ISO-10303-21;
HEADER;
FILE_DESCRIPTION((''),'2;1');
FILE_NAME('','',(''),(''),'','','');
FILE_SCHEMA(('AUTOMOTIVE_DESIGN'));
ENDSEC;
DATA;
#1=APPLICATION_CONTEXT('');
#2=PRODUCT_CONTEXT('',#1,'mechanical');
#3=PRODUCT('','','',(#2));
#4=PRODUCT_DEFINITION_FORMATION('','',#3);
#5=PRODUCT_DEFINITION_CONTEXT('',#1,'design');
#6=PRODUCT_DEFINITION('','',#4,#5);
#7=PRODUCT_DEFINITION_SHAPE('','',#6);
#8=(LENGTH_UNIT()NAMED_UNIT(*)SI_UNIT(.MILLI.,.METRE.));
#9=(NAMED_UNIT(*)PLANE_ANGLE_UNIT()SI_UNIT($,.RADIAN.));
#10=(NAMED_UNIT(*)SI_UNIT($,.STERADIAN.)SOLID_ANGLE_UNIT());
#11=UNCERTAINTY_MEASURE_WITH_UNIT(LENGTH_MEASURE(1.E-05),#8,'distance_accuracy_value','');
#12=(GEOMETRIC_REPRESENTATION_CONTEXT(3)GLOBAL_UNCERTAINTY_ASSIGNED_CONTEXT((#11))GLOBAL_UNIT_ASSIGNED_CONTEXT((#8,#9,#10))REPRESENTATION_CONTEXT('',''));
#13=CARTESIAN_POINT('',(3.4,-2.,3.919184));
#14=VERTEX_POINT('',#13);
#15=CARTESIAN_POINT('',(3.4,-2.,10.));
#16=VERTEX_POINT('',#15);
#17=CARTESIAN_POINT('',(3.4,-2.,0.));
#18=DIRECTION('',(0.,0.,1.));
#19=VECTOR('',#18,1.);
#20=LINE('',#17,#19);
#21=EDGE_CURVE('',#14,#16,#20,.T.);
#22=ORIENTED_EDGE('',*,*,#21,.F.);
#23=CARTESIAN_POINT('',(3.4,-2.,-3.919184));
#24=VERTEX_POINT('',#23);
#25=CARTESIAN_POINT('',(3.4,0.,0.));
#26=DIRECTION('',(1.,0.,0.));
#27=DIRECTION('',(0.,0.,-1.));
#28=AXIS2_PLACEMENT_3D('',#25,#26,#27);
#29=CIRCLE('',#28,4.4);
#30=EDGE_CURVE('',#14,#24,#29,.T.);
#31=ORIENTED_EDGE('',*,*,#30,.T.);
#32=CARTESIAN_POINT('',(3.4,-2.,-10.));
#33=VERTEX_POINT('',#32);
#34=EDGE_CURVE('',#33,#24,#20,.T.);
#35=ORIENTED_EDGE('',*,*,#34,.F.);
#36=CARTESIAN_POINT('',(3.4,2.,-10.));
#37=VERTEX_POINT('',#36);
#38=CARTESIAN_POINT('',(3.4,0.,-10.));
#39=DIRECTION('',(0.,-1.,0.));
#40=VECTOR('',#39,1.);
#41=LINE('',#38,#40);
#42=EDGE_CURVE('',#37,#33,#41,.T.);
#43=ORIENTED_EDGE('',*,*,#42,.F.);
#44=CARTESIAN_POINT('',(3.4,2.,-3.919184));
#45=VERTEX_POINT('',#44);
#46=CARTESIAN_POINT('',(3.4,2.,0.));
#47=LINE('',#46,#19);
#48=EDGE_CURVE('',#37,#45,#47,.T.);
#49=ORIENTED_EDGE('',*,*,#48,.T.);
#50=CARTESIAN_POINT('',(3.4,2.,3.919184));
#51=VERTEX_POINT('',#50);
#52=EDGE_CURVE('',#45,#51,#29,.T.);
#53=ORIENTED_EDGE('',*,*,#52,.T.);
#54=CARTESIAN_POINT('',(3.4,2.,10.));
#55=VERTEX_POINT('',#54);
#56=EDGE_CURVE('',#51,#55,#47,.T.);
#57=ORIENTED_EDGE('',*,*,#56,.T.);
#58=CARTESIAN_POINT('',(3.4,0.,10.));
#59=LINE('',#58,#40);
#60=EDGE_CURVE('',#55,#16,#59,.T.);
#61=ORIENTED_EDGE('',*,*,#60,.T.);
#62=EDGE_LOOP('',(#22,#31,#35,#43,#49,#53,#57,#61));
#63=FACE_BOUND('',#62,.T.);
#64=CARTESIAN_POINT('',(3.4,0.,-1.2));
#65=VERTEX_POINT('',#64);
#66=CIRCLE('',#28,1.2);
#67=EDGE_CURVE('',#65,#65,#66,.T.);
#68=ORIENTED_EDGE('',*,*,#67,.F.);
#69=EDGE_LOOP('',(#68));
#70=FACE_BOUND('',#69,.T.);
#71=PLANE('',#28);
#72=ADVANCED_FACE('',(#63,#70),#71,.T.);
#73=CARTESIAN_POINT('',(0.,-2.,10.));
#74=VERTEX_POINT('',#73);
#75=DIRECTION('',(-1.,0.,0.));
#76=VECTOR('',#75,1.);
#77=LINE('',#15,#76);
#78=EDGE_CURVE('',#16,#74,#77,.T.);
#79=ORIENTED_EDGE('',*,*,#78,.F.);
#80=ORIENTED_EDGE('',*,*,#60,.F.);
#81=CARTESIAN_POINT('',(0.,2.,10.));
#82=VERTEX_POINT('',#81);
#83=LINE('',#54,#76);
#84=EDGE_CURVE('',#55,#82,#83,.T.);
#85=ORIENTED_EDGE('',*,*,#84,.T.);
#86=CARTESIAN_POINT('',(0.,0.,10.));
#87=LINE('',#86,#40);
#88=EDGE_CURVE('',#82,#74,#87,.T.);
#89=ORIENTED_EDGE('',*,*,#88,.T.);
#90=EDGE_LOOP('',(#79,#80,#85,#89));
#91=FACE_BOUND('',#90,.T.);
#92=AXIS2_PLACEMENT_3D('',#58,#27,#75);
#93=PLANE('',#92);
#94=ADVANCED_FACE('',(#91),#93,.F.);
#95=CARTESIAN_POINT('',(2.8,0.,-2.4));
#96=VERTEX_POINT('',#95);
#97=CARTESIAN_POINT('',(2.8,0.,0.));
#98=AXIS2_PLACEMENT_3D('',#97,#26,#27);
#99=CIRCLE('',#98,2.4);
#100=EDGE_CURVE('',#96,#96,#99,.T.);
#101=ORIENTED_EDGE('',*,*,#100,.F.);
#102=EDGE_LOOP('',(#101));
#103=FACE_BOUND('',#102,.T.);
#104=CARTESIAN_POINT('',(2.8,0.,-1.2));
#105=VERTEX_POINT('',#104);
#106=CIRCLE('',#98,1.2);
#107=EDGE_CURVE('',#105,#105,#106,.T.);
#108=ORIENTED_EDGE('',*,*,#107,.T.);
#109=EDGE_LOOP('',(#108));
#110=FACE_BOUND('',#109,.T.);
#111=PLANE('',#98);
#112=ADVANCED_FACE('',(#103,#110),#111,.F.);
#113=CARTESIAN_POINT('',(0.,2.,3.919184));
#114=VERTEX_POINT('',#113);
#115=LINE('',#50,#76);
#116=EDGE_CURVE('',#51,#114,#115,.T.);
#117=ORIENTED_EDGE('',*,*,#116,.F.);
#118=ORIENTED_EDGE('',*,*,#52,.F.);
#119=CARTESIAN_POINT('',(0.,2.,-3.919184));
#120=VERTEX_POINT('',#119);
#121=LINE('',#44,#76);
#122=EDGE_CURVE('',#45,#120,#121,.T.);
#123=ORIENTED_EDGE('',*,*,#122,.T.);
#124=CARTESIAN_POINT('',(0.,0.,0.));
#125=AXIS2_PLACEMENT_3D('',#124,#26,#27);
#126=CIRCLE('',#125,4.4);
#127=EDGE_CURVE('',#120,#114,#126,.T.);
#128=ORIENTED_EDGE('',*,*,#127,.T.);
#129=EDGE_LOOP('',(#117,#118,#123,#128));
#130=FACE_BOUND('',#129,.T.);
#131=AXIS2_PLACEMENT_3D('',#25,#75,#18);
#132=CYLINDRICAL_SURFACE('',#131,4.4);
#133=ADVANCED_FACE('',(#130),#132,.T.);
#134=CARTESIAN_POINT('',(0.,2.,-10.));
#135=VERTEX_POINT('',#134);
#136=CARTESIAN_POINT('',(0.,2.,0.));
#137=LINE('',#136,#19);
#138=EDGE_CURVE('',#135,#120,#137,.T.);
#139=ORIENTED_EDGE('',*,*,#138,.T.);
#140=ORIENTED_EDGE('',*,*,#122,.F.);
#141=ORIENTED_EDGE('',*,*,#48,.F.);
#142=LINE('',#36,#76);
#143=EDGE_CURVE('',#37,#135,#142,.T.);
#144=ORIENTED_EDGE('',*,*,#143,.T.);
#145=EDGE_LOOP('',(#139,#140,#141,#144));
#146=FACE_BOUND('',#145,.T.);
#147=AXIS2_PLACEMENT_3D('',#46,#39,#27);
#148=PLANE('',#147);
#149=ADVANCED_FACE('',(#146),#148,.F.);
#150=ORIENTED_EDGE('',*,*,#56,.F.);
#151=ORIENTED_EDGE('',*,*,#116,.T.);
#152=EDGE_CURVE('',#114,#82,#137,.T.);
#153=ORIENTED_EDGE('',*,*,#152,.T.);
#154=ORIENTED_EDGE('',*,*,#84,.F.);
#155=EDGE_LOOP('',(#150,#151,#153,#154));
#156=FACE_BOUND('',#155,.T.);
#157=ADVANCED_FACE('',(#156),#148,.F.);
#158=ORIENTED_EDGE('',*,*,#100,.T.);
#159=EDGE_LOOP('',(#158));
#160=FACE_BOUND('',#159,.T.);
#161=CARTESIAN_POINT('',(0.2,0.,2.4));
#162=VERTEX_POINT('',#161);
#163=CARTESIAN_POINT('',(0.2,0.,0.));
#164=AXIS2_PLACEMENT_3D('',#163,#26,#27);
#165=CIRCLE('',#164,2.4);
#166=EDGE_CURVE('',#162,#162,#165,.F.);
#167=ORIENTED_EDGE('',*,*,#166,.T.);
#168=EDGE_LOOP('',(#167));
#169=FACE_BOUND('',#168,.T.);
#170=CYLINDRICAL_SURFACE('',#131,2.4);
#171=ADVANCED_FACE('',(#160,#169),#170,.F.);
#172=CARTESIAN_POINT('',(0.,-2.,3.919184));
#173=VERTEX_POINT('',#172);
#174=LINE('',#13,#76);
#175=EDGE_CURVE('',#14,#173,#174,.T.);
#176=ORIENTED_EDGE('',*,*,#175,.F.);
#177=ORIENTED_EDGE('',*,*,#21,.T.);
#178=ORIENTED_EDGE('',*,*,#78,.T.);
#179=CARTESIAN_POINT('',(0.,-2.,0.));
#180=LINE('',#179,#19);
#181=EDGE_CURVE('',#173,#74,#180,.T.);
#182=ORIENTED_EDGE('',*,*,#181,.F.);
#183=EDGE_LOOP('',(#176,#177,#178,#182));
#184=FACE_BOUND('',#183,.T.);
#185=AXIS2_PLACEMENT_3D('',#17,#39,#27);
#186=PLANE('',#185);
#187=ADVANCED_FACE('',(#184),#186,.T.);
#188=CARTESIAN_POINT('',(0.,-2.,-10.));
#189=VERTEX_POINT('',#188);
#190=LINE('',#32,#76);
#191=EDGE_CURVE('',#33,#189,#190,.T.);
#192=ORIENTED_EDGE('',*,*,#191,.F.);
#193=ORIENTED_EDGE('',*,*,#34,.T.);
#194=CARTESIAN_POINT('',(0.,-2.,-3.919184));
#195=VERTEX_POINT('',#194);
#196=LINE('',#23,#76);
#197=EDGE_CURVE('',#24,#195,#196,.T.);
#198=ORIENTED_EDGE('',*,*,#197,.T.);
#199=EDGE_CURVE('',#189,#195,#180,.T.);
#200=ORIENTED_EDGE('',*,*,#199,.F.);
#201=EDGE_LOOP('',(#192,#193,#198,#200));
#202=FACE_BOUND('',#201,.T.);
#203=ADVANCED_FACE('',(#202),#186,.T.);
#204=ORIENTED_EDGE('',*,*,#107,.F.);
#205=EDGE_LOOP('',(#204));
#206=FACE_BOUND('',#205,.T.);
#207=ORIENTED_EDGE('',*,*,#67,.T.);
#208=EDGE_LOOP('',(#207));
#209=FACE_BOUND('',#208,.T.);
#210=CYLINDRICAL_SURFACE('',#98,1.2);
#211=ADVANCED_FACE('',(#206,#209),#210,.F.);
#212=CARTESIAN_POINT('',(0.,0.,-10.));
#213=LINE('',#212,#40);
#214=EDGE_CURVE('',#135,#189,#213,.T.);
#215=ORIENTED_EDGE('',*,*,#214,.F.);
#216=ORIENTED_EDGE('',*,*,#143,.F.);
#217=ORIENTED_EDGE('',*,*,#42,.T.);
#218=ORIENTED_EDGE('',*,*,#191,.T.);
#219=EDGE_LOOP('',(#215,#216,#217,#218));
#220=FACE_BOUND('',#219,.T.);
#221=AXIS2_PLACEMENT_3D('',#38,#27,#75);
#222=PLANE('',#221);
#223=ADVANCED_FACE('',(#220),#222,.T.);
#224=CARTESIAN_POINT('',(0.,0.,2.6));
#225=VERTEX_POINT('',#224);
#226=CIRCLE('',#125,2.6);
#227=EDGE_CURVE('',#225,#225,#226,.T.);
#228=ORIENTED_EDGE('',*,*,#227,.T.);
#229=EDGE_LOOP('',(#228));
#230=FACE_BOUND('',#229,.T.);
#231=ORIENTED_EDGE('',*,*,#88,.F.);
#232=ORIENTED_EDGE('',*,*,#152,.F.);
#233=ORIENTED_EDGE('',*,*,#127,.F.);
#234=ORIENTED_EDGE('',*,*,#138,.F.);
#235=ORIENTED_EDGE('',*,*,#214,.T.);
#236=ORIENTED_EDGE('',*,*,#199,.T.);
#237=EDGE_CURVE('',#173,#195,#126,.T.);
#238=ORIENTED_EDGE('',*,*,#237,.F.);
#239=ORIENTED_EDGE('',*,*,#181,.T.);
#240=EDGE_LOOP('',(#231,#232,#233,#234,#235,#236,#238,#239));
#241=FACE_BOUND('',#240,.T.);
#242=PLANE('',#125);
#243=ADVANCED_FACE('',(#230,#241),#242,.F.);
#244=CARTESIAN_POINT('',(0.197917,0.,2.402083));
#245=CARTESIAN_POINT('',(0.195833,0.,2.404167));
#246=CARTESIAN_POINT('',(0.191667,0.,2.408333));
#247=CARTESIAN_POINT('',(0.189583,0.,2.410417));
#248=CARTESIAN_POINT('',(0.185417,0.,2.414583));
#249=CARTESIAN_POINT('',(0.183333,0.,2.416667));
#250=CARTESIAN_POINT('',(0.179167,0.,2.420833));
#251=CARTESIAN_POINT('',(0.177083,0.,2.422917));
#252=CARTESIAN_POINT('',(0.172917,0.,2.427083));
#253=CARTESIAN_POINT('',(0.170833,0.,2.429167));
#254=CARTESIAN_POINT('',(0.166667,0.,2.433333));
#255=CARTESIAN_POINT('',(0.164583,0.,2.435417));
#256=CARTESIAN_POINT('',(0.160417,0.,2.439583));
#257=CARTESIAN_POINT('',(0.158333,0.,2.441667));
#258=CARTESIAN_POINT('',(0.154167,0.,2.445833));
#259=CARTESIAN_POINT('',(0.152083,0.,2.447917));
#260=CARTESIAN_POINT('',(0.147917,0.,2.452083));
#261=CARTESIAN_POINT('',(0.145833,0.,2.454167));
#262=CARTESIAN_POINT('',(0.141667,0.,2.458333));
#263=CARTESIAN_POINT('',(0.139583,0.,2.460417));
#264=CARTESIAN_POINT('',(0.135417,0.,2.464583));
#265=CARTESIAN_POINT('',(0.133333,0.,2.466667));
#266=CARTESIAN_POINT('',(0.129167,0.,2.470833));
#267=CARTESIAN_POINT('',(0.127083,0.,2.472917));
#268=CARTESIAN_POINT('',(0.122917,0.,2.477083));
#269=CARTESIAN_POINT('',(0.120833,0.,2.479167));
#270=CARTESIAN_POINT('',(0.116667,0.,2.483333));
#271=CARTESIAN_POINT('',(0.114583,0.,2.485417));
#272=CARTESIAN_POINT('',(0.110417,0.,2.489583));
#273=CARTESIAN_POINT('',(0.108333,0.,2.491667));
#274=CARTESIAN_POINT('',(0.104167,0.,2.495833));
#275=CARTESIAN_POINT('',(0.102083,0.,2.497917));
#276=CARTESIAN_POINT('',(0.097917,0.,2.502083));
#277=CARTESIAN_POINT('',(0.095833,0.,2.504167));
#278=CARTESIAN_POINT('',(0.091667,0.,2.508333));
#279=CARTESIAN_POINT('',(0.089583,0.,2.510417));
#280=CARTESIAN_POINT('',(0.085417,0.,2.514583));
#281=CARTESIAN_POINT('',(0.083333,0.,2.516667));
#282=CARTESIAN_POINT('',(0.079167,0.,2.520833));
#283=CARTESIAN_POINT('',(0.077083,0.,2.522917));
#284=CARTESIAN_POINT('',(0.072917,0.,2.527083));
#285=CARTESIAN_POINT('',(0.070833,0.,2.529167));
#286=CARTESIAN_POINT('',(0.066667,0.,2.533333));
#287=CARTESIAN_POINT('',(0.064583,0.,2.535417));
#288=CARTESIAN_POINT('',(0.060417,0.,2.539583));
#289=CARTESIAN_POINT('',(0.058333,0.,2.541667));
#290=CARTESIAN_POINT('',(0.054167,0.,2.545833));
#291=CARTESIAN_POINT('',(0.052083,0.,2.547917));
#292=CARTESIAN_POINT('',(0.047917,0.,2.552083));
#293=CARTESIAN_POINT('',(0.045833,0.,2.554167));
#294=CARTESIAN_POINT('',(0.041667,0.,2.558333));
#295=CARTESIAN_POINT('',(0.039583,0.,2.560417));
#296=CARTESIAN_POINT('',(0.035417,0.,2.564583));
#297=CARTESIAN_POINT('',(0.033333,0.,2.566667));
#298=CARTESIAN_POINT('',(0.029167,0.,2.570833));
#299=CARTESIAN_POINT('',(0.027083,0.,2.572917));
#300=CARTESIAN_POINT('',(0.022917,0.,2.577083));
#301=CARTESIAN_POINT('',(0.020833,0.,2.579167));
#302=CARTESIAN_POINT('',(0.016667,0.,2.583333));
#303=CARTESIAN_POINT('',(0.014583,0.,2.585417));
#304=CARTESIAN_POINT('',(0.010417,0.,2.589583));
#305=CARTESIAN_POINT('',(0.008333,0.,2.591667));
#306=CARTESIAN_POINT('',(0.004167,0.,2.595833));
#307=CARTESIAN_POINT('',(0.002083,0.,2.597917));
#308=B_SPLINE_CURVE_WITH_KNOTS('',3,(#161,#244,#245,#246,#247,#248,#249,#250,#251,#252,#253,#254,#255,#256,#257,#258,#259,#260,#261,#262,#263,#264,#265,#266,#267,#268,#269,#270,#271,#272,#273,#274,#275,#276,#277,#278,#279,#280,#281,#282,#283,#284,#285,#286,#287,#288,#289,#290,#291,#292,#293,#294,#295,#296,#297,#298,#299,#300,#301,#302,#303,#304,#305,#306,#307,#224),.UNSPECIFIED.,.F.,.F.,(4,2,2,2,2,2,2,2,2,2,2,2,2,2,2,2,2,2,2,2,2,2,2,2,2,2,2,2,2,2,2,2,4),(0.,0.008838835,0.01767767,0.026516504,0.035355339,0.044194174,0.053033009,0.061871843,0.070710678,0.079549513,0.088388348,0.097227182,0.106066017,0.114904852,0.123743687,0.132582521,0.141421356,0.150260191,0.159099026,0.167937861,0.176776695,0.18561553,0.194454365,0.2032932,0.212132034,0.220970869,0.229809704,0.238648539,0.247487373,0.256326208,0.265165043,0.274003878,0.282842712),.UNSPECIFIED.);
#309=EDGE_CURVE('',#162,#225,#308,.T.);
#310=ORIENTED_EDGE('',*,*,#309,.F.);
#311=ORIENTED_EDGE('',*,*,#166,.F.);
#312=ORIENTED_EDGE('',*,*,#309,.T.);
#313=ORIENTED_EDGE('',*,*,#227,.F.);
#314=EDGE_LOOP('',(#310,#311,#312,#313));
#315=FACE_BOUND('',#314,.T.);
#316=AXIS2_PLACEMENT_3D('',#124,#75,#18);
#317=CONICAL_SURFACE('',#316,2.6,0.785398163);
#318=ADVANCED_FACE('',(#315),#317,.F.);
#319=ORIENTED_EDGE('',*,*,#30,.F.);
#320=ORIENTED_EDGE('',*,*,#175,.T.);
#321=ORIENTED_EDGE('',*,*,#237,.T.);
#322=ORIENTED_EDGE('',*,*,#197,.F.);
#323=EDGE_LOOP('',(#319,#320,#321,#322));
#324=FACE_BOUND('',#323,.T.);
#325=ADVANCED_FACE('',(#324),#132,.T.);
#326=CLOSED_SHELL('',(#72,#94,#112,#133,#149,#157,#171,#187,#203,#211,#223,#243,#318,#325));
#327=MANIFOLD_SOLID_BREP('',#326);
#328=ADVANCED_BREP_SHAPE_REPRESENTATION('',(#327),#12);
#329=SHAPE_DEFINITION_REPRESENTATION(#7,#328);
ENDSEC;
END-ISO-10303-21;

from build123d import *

# Parameters (mm, degrees)
EXTRUDE_1_DEPTH = 3.4
EXTRUDE_START   = -0.6
SKETCH_2_R      = 2.4
SKETCH_2_R_2    = 1.2
EXTRUDE_2_DEPTH = 0.6
CHAMFER_1_SIZE  = 0.2


with BuildPart() as part:
    # 草图1 → 凸台-拉伸1 (new body)
    with BuildSketch(Plane(origin=(0, 0, 0), x_dir=(0, 0, -1), z_dir=(1, 0, 0))):
        with BuildLine():
            Line((1.326649916, 2), (3.919183588, 2))
            ThreePointArc((3.919183588, 2), (0, 4.4), (-3.919183588, 2))
            Line((-3.919183588, 2), (-1.326649916, 2))
            ThreePointArc((-1.326649916, 2), (0, 2.4), (1.326649916, 2))
        make_face()
        with BuildLine():
            ThreePointArc((4.4, 0), (4.278107513, 1.028492151), (3.919183588, 2))
            Line((3.919183588, 2), (1.326649916, 2))
            ThreePointArc((1.326649916, 2), (2.114705629, 1.134909732), (2.4, 0))
            ThreePointArc((2.4, 0), (2.114705629, -1.134909732), (1.326649916, -2))
            Line((1.326649916, -2), (3.919183588, -2))
            ThreePointArc((3.919183588, -2), (4.278107513, -1.028492151), (4.4, 0))
        make_face()
        with BuildLine():
            Line((-1.326649916, 2), (-3.919183588, 2))
            ThreePointArc((-3.919183588, 2), (-4.4, 0), (-3.919183588, -2))
            Line((-3.919183588, -2), (-1.326649916, -2))
            ThreePointArc((-1.326649916, -2), (-2.4, 0), (-1.326649916, 2))
        make_face()
        with BuildLine():
            ThreePointArc((-3.919183588, -2), (-4.4, 0), (-3.919183588, 2))
            Line((-3.919183588, 2), (-10, 2))
            Line((-10, 2), (-10, -2))
            Line((-10, -2), (-3.919183588, -2))
        make_face()
        with BuildLine():
            Line((10, -2), (10, 2))
            Line((10, 2), (3.919183588, 2))
            ThreePointArc((3.919183588, 2), (4.278107513, 1.028492151), (4.4, 0))
            ThreePointArc((4.4, 0), (4.278107513, -1.028492151), (3.919183588, -2))
            Line((3.919183588, -2), (10, -2))
        make_face()
        with BuildLine():
            ThreePointArc((-3.919183588, -2), (0, -4.4), (3.919183588, -2))
            Line((3.919183588, -2), (1.326649916, -2))
            ThreePointArc((1.326649916, -2), (0, -2.4), (-1.326649916, -2))
            Line((-1.326649916, -2), (-3.919183588, -2))
        make_face()
    extrude(amount=EXTRUDE_1_DEPTH)

    # 草图2 → 凸台-拉伸2 (add)
    with BuildSketch(Plane(origin=(3.4, 0, 0), x_dir=(0, 0, -1), z_dir=(1, 0, 0)).offset(EXTRUDE_START)):
        Circle(SKETCH_2_R)
        Circle(SKETCH_2_R_2, mode=Mode.SUBTRACT)
    extrude(amount=EXTRUDE_2_DEPTH)

    # 倒角1
    chamfer_1_edges = [part.edges().sort_by_distance(p)[0] for p in [
        (0, 2, 1.326649916),
    ]]
    chamfer(chamfer_1_edges, length=CHAMFER_1_SIZE)


solid = part.part
